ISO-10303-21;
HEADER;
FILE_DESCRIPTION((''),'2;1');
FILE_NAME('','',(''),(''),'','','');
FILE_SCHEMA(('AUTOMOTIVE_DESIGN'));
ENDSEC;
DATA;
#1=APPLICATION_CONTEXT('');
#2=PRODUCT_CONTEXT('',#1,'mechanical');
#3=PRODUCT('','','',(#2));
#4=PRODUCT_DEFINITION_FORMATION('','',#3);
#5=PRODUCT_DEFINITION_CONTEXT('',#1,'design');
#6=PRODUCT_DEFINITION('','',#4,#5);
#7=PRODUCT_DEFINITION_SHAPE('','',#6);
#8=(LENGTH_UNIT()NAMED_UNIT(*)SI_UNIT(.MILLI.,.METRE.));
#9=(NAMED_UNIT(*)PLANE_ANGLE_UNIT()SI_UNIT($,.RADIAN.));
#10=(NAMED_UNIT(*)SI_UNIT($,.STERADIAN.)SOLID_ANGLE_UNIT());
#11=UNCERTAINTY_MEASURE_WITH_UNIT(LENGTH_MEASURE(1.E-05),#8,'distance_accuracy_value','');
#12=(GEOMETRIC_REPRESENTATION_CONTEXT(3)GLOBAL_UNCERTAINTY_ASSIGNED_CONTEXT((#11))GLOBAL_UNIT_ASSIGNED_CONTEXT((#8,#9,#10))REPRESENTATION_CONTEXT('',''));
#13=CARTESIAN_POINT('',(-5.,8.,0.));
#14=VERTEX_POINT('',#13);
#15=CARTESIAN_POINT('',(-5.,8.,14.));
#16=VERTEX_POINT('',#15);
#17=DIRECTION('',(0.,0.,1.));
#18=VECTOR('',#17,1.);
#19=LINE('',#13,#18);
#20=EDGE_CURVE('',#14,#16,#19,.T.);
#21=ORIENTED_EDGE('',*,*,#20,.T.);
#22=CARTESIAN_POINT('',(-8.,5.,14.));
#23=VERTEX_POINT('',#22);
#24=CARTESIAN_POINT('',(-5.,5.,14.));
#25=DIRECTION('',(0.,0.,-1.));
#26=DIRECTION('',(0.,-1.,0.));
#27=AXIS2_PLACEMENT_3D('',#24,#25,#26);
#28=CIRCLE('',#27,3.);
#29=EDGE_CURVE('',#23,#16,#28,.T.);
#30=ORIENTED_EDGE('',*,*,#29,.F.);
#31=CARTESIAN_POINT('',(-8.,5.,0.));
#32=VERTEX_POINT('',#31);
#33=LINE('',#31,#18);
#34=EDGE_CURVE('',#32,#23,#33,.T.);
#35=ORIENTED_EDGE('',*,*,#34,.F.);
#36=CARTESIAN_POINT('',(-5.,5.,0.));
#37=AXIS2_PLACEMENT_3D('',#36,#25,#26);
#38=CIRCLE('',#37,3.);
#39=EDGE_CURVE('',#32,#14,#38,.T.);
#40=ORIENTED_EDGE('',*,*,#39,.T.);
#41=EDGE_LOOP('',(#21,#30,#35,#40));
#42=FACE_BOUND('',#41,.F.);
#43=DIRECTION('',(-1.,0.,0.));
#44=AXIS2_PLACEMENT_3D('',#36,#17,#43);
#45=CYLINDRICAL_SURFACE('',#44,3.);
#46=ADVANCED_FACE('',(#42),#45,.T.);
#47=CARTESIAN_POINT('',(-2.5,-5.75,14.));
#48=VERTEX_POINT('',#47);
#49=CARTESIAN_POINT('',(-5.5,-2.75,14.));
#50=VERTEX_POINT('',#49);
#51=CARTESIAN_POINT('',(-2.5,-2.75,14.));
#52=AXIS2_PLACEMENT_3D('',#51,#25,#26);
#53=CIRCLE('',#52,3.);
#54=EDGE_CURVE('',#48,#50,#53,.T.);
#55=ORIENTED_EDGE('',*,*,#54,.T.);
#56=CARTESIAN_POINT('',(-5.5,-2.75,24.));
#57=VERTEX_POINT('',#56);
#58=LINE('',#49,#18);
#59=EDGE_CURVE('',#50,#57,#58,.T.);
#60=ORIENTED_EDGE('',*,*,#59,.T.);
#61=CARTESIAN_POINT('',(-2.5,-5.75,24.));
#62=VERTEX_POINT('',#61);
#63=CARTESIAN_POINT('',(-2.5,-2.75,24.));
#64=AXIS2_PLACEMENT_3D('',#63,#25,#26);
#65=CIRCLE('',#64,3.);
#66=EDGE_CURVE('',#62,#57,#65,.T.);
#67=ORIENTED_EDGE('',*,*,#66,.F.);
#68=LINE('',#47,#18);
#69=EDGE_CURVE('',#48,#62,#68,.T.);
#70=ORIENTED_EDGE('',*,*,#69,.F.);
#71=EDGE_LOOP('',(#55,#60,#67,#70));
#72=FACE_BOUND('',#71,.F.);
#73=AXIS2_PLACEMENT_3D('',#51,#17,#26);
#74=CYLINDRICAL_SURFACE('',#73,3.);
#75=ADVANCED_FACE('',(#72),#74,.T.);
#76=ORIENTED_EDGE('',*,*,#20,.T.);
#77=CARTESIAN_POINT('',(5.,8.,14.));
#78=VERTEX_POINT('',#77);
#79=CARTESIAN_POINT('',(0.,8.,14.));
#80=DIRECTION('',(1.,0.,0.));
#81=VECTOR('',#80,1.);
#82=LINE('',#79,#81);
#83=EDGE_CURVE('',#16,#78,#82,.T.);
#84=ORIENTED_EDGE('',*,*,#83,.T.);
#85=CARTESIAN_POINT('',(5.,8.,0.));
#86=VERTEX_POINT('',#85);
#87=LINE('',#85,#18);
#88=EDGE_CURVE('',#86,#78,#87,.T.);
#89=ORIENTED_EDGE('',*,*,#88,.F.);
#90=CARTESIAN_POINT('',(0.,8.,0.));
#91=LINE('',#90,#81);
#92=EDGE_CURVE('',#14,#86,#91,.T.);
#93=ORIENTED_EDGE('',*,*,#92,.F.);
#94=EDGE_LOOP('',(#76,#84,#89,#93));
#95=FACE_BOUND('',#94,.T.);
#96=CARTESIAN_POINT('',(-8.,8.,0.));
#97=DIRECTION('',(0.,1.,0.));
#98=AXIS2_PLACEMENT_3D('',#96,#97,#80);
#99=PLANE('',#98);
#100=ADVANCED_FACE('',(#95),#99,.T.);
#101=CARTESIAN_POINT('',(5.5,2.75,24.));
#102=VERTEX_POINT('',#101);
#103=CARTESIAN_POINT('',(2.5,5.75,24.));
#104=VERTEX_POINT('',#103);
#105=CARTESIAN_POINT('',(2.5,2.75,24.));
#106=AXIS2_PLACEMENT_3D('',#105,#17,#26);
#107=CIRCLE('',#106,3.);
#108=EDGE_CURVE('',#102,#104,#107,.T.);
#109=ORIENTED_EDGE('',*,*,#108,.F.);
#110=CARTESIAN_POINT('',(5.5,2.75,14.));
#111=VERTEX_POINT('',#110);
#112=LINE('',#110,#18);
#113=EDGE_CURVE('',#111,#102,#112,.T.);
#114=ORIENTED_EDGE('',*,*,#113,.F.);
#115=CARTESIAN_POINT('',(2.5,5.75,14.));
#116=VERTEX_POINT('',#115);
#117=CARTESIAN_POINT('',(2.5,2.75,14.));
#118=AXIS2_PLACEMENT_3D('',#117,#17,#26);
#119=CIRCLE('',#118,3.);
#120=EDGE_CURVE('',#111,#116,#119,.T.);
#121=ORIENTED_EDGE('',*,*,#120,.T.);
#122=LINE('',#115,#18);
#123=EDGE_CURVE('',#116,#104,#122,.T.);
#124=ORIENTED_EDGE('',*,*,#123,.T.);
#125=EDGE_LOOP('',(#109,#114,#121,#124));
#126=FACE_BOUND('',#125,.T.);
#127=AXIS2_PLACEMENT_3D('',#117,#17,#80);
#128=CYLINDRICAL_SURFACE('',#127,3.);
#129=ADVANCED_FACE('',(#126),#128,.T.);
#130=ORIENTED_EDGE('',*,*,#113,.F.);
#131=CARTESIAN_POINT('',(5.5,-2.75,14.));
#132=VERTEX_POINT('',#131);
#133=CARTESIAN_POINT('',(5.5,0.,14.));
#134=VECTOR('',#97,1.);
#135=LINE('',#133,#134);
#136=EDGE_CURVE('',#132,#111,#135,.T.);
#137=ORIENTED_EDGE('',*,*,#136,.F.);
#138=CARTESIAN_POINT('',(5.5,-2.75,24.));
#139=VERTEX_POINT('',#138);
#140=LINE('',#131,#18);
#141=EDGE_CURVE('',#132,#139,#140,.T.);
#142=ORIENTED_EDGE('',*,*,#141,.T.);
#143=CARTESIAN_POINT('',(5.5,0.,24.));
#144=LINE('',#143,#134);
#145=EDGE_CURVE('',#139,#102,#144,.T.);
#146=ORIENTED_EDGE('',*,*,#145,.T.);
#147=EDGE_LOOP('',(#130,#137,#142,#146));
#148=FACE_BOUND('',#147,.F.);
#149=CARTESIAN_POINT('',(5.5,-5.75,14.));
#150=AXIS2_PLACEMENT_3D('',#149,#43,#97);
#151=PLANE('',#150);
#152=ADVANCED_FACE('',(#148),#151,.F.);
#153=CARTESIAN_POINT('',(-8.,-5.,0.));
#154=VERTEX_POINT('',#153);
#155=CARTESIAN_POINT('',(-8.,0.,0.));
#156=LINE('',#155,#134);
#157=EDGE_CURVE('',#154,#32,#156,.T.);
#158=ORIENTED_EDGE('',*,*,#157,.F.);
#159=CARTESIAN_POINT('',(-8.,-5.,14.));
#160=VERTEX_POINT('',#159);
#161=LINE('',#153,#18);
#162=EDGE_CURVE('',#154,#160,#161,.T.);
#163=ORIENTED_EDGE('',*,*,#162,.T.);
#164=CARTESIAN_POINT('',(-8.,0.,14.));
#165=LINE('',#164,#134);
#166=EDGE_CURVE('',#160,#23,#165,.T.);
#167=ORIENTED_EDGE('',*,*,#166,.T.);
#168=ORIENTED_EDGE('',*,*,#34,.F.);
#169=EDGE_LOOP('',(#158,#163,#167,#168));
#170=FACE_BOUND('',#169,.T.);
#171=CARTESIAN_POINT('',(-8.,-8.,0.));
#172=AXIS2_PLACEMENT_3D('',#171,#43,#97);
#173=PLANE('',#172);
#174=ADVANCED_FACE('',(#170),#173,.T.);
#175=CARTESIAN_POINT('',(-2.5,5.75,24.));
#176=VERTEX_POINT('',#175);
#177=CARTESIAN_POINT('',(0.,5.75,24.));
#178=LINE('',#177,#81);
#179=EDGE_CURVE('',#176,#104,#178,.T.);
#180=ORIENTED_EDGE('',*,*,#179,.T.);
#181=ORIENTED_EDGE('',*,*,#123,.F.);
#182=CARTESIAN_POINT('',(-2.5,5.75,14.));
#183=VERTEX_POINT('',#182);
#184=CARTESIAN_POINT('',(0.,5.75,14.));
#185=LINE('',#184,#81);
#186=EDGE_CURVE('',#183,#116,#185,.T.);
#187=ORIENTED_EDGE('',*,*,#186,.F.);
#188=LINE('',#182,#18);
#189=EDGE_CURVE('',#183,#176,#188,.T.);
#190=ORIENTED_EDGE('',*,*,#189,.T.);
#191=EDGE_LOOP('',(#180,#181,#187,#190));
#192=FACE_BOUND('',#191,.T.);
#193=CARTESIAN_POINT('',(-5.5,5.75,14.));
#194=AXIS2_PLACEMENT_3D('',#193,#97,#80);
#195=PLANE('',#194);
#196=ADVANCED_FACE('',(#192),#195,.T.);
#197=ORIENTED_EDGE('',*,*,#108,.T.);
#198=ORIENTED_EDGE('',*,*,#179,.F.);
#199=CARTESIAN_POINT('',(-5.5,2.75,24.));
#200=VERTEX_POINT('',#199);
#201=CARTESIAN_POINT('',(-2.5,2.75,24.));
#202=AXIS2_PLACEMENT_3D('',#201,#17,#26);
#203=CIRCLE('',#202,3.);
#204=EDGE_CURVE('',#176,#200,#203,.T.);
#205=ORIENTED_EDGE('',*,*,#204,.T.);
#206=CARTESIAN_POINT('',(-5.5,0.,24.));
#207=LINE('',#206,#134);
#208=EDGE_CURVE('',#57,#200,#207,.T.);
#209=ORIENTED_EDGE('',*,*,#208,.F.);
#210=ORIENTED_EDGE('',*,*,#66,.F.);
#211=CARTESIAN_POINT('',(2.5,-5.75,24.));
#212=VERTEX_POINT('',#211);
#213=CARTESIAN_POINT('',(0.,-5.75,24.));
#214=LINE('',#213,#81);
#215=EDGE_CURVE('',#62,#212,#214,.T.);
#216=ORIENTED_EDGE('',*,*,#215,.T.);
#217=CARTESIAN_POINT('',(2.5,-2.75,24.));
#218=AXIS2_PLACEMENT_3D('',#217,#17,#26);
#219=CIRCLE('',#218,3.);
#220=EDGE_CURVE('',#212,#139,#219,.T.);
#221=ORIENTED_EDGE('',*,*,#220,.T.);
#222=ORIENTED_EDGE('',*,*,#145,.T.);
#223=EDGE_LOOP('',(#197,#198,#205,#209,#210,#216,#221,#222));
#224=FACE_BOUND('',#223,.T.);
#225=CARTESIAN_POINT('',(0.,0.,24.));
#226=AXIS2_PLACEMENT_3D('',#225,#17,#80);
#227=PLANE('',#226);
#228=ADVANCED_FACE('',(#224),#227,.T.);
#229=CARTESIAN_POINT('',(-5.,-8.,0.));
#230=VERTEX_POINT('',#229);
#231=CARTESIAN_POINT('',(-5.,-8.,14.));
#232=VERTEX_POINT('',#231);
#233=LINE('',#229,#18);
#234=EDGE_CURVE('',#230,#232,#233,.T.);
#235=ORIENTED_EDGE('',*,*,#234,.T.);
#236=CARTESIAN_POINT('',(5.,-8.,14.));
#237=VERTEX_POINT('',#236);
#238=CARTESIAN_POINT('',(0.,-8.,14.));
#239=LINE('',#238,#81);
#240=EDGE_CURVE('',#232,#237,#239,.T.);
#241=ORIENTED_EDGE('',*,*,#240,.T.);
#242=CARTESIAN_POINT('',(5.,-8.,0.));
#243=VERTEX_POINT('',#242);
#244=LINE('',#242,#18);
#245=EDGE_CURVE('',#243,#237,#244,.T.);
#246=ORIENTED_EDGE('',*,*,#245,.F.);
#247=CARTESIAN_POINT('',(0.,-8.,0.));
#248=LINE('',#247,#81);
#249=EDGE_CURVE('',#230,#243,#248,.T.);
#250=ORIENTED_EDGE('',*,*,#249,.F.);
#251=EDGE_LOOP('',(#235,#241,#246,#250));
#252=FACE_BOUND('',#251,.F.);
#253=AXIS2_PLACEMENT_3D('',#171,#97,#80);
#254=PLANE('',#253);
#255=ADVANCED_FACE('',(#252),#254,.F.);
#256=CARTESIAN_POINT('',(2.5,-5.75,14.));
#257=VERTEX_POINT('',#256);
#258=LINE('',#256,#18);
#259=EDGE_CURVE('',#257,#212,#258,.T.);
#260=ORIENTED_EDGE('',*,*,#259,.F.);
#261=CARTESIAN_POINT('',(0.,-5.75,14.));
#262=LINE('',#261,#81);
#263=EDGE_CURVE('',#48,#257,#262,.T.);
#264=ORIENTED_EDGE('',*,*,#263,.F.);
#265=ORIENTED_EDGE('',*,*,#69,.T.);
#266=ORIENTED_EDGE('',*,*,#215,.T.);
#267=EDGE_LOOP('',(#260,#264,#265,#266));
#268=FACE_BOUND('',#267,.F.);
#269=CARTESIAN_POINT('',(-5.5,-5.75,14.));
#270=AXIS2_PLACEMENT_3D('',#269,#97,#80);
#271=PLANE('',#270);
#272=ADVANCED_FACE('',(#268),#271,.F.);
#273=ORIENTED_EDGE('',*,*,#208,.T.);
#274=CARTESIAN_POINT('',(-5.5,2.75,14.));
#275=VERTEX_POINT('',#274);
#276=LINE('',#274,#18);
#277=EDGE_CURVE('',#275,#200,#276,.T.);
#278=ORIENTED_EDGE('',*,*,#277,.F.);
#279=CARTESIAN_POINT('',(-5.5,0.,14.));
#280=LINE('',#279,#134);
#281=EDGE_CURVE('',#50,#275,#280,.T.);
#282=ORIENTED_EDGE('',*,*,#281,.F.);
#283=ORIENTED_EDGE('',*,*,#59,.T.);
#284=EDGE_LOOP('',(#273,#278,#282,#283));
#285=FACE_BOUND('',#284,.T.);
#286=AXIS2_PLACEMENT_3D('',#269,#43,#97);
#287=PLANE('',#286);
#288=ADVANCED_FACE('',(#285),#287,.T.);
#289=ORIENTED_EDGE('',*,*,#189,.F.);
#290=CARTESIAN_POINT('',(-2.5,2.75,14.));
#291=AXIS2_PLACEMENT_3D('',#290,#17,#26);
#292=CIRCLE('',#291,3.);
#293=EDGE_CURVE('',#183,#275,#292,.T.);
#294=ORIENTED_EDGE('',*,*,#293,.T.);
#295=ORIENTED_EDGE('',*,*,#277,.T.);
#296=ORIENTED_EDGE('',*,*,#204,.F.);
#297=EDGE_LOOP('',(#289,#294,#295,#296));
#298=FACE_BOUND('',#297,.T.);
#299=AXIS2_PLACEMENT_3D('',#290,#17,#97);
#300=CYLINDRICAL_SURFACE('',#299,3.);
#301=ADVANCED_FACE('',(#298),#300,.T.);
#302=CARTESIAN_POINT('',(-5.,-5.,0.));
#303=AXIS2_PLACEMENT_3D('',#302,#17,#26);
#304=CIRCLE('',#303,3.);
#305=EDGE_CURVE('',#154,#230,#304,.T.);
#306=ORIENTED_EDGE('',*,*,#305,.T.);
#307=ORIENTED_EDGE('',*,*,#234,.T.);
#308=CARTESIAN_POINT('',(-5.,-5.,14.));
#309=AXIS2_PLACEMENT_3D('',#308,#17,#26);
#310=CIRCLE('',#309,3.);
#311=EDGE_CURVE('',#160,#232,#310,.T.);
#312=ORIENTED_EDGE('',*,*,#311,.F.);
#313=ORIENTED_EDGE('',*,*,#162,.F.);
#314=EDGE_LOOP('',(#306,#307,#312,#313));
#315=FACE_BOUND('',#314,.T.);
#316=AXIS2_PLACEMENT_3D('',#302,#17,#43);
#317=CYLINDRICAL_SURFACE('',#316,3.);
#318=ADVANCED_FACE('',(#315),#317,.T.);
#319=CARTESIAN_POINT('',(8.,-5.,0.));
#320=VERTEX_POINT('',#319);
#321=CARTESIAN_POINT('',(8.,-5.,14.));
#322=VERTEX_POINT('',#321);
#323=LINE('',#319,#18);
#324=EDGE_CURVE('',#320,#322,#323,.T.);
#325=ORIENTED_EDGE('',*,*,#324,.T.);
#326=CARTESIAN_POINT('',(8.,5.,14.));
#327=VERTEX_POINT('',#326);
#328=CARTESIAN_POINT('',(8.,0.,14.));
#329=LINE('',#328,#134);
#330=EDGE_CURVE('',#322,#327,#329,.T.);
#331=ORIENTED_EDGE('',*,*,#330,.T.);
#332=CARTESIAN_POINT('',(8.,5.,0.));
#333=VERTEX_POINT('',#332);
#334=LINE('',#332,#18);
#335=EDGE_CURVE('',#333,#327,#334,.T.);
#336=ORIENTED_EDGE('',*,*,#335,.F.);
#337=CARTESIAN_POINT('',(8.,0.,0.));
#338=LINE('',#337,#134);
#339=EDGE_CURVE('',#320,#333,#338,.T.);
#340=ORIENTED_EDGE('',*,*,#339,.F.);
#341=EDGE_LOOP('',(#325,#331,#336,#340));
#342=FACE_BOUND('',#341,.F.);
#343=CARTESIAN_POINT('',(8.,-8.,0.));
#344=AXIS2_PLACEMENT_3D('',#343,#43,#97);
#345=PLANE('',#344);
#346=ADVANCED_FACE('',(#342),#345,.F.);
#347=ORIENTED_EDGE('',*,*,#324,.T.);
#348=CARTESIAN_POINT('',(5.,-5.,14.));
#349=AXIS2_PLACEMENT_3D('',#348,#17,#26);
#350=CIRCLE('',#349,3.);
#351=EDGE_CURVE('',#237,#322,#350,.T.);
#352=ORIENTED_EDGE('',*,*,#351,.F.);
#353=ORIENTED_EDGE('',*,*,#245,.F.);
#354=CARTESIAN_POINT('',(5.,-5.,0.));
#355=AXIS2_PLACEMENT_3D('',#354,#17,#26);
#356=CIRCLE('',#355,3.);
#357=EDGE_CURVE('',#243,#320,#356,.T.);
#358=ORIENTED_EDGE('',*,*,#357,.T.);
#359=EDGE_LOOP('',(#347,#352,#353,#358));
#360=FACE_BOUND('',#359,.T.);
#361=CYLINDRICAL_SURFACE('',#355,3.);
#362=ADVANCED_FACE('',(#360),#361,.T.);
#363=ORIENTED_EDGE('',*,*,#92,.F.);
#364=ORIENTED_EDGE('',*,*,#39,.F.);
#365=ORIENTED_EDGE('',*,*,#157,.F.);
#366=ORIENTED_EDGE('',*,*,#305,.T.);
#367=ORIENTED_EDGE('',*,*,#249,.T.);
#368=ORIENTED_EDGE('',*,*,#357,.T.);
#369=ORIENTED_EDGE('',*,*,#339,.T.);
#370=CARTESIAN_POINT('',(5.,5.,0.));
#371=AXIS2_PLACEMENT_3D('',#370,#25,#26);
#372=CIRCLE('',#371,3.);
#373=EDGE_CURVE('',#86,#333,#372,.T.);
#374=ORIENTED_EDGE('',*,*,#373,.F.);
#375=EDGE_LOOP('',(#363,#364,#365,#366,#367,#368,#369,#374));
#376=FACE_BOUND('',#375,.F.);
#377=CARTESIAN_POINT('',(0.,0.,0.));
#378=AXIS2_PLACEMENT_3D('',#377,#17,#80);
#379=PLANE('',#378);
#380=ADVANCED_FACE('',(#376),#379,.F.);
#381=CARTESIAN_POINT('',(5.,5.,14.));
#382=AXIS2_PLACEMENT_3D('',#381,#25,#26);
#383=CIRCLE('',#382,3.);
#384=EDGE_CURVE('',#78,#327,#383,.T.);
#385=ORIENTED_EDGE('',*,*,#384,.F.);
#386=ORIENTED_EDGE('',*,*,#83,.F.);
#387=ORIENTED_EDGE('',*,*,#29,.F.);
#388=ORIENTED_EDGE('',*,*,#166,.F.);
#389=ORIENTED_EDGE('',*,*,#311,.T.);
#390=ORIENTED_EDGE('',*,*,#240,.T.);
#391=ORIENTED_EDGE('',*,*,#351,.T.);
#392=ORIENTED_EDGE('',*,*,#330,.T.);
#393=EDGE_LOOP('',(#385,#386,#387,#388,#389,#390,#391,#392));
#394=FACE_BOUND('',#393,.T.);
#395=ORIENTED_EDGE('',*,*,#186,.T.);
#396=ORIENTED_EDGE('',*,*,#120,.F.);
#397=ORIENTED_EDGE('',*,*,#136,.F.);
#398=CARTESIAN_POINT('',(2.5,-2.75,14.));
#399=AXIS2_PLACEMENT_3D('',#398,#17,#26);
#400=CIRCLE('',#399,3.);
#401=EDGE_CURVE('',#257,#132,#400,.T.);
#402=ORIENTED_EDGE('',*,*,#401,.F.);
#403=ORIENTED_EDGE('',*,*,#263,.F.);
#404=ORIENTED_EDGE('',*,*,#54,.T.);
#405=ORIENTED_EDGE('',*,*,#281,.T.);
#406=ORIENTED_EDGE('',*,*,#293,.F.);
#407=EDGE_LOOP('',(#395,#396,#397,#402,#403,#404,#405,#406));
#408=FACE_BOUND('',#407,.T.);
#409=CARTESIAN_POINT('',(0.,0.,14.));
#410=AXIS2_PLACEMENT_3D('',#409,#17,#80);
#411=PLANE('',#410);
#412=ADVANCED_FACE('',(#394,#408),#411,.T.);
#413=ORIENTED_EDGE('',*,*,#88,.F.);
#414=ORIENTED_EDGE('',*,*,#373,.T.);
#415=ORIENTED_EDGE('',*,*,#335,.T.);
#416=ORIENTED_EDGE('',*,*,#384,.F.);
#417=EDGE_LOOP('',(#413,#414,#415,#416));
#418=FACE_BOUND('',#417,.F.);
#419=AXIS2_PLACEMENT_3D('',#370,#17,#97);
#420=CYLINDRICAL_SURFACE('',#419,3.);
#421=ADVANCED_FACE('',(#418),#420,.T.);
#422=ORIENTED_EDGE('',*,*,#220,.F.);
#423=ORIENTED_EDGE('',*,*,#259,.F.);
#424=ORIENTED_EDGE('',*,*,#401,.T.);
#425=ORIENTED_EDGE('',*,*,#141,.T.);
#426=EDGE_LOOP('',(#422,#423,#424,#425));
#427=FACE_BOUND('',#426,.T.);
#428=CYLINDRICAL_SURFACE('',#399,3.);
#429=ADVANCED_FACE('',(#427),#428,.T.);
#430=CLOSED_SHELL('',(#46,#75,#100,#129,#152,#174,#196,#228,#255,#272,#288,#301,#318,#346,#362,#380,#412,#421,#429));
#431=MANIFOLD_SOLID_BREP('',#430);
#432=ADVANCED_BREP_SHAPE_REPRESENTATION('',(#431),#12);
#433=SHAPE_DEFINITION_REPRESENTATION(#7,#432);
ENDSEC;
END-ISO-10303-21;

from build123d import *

# Parameters (mm, degrees)
F0_W     = 16
F0_H     = 16
F1_DEPTH = 14
F2_W     = 11
F2_H     = 11.5
F3_DEPTH = 10
F4_R     = 3


with BuildPart() as f1:
    # F0 (on Top) → F1 (new body)
    with BuildSketch(Plane.XY):
        Rectangle(F0_W, F0_H)
    extrude(amount=F1_DEPTH)

    # F2 (on face) → F3 (join)
    with BuildSketch(Plane.XY.offset(14)):
        Rectangle(F2_W, F2_H)
    extrude(amount=F3_DEPTH)

    # F4
    f4_edges = [f1.edges().sort_by_distance(p)[0] for p in [
        (5.5, -5.75, 19),
        (5.5, 5.75, 19),
        (-5.5, -5.75, 19),
        (-8, -8, 7),
        (8, -8, 7),
        (8, 8, 7),
        (-8, 8, 7),
        (-5.5, 5.75, 19),
    ]]
    fillet(f4_edges, radius=F4_R)


solid = f1.part
